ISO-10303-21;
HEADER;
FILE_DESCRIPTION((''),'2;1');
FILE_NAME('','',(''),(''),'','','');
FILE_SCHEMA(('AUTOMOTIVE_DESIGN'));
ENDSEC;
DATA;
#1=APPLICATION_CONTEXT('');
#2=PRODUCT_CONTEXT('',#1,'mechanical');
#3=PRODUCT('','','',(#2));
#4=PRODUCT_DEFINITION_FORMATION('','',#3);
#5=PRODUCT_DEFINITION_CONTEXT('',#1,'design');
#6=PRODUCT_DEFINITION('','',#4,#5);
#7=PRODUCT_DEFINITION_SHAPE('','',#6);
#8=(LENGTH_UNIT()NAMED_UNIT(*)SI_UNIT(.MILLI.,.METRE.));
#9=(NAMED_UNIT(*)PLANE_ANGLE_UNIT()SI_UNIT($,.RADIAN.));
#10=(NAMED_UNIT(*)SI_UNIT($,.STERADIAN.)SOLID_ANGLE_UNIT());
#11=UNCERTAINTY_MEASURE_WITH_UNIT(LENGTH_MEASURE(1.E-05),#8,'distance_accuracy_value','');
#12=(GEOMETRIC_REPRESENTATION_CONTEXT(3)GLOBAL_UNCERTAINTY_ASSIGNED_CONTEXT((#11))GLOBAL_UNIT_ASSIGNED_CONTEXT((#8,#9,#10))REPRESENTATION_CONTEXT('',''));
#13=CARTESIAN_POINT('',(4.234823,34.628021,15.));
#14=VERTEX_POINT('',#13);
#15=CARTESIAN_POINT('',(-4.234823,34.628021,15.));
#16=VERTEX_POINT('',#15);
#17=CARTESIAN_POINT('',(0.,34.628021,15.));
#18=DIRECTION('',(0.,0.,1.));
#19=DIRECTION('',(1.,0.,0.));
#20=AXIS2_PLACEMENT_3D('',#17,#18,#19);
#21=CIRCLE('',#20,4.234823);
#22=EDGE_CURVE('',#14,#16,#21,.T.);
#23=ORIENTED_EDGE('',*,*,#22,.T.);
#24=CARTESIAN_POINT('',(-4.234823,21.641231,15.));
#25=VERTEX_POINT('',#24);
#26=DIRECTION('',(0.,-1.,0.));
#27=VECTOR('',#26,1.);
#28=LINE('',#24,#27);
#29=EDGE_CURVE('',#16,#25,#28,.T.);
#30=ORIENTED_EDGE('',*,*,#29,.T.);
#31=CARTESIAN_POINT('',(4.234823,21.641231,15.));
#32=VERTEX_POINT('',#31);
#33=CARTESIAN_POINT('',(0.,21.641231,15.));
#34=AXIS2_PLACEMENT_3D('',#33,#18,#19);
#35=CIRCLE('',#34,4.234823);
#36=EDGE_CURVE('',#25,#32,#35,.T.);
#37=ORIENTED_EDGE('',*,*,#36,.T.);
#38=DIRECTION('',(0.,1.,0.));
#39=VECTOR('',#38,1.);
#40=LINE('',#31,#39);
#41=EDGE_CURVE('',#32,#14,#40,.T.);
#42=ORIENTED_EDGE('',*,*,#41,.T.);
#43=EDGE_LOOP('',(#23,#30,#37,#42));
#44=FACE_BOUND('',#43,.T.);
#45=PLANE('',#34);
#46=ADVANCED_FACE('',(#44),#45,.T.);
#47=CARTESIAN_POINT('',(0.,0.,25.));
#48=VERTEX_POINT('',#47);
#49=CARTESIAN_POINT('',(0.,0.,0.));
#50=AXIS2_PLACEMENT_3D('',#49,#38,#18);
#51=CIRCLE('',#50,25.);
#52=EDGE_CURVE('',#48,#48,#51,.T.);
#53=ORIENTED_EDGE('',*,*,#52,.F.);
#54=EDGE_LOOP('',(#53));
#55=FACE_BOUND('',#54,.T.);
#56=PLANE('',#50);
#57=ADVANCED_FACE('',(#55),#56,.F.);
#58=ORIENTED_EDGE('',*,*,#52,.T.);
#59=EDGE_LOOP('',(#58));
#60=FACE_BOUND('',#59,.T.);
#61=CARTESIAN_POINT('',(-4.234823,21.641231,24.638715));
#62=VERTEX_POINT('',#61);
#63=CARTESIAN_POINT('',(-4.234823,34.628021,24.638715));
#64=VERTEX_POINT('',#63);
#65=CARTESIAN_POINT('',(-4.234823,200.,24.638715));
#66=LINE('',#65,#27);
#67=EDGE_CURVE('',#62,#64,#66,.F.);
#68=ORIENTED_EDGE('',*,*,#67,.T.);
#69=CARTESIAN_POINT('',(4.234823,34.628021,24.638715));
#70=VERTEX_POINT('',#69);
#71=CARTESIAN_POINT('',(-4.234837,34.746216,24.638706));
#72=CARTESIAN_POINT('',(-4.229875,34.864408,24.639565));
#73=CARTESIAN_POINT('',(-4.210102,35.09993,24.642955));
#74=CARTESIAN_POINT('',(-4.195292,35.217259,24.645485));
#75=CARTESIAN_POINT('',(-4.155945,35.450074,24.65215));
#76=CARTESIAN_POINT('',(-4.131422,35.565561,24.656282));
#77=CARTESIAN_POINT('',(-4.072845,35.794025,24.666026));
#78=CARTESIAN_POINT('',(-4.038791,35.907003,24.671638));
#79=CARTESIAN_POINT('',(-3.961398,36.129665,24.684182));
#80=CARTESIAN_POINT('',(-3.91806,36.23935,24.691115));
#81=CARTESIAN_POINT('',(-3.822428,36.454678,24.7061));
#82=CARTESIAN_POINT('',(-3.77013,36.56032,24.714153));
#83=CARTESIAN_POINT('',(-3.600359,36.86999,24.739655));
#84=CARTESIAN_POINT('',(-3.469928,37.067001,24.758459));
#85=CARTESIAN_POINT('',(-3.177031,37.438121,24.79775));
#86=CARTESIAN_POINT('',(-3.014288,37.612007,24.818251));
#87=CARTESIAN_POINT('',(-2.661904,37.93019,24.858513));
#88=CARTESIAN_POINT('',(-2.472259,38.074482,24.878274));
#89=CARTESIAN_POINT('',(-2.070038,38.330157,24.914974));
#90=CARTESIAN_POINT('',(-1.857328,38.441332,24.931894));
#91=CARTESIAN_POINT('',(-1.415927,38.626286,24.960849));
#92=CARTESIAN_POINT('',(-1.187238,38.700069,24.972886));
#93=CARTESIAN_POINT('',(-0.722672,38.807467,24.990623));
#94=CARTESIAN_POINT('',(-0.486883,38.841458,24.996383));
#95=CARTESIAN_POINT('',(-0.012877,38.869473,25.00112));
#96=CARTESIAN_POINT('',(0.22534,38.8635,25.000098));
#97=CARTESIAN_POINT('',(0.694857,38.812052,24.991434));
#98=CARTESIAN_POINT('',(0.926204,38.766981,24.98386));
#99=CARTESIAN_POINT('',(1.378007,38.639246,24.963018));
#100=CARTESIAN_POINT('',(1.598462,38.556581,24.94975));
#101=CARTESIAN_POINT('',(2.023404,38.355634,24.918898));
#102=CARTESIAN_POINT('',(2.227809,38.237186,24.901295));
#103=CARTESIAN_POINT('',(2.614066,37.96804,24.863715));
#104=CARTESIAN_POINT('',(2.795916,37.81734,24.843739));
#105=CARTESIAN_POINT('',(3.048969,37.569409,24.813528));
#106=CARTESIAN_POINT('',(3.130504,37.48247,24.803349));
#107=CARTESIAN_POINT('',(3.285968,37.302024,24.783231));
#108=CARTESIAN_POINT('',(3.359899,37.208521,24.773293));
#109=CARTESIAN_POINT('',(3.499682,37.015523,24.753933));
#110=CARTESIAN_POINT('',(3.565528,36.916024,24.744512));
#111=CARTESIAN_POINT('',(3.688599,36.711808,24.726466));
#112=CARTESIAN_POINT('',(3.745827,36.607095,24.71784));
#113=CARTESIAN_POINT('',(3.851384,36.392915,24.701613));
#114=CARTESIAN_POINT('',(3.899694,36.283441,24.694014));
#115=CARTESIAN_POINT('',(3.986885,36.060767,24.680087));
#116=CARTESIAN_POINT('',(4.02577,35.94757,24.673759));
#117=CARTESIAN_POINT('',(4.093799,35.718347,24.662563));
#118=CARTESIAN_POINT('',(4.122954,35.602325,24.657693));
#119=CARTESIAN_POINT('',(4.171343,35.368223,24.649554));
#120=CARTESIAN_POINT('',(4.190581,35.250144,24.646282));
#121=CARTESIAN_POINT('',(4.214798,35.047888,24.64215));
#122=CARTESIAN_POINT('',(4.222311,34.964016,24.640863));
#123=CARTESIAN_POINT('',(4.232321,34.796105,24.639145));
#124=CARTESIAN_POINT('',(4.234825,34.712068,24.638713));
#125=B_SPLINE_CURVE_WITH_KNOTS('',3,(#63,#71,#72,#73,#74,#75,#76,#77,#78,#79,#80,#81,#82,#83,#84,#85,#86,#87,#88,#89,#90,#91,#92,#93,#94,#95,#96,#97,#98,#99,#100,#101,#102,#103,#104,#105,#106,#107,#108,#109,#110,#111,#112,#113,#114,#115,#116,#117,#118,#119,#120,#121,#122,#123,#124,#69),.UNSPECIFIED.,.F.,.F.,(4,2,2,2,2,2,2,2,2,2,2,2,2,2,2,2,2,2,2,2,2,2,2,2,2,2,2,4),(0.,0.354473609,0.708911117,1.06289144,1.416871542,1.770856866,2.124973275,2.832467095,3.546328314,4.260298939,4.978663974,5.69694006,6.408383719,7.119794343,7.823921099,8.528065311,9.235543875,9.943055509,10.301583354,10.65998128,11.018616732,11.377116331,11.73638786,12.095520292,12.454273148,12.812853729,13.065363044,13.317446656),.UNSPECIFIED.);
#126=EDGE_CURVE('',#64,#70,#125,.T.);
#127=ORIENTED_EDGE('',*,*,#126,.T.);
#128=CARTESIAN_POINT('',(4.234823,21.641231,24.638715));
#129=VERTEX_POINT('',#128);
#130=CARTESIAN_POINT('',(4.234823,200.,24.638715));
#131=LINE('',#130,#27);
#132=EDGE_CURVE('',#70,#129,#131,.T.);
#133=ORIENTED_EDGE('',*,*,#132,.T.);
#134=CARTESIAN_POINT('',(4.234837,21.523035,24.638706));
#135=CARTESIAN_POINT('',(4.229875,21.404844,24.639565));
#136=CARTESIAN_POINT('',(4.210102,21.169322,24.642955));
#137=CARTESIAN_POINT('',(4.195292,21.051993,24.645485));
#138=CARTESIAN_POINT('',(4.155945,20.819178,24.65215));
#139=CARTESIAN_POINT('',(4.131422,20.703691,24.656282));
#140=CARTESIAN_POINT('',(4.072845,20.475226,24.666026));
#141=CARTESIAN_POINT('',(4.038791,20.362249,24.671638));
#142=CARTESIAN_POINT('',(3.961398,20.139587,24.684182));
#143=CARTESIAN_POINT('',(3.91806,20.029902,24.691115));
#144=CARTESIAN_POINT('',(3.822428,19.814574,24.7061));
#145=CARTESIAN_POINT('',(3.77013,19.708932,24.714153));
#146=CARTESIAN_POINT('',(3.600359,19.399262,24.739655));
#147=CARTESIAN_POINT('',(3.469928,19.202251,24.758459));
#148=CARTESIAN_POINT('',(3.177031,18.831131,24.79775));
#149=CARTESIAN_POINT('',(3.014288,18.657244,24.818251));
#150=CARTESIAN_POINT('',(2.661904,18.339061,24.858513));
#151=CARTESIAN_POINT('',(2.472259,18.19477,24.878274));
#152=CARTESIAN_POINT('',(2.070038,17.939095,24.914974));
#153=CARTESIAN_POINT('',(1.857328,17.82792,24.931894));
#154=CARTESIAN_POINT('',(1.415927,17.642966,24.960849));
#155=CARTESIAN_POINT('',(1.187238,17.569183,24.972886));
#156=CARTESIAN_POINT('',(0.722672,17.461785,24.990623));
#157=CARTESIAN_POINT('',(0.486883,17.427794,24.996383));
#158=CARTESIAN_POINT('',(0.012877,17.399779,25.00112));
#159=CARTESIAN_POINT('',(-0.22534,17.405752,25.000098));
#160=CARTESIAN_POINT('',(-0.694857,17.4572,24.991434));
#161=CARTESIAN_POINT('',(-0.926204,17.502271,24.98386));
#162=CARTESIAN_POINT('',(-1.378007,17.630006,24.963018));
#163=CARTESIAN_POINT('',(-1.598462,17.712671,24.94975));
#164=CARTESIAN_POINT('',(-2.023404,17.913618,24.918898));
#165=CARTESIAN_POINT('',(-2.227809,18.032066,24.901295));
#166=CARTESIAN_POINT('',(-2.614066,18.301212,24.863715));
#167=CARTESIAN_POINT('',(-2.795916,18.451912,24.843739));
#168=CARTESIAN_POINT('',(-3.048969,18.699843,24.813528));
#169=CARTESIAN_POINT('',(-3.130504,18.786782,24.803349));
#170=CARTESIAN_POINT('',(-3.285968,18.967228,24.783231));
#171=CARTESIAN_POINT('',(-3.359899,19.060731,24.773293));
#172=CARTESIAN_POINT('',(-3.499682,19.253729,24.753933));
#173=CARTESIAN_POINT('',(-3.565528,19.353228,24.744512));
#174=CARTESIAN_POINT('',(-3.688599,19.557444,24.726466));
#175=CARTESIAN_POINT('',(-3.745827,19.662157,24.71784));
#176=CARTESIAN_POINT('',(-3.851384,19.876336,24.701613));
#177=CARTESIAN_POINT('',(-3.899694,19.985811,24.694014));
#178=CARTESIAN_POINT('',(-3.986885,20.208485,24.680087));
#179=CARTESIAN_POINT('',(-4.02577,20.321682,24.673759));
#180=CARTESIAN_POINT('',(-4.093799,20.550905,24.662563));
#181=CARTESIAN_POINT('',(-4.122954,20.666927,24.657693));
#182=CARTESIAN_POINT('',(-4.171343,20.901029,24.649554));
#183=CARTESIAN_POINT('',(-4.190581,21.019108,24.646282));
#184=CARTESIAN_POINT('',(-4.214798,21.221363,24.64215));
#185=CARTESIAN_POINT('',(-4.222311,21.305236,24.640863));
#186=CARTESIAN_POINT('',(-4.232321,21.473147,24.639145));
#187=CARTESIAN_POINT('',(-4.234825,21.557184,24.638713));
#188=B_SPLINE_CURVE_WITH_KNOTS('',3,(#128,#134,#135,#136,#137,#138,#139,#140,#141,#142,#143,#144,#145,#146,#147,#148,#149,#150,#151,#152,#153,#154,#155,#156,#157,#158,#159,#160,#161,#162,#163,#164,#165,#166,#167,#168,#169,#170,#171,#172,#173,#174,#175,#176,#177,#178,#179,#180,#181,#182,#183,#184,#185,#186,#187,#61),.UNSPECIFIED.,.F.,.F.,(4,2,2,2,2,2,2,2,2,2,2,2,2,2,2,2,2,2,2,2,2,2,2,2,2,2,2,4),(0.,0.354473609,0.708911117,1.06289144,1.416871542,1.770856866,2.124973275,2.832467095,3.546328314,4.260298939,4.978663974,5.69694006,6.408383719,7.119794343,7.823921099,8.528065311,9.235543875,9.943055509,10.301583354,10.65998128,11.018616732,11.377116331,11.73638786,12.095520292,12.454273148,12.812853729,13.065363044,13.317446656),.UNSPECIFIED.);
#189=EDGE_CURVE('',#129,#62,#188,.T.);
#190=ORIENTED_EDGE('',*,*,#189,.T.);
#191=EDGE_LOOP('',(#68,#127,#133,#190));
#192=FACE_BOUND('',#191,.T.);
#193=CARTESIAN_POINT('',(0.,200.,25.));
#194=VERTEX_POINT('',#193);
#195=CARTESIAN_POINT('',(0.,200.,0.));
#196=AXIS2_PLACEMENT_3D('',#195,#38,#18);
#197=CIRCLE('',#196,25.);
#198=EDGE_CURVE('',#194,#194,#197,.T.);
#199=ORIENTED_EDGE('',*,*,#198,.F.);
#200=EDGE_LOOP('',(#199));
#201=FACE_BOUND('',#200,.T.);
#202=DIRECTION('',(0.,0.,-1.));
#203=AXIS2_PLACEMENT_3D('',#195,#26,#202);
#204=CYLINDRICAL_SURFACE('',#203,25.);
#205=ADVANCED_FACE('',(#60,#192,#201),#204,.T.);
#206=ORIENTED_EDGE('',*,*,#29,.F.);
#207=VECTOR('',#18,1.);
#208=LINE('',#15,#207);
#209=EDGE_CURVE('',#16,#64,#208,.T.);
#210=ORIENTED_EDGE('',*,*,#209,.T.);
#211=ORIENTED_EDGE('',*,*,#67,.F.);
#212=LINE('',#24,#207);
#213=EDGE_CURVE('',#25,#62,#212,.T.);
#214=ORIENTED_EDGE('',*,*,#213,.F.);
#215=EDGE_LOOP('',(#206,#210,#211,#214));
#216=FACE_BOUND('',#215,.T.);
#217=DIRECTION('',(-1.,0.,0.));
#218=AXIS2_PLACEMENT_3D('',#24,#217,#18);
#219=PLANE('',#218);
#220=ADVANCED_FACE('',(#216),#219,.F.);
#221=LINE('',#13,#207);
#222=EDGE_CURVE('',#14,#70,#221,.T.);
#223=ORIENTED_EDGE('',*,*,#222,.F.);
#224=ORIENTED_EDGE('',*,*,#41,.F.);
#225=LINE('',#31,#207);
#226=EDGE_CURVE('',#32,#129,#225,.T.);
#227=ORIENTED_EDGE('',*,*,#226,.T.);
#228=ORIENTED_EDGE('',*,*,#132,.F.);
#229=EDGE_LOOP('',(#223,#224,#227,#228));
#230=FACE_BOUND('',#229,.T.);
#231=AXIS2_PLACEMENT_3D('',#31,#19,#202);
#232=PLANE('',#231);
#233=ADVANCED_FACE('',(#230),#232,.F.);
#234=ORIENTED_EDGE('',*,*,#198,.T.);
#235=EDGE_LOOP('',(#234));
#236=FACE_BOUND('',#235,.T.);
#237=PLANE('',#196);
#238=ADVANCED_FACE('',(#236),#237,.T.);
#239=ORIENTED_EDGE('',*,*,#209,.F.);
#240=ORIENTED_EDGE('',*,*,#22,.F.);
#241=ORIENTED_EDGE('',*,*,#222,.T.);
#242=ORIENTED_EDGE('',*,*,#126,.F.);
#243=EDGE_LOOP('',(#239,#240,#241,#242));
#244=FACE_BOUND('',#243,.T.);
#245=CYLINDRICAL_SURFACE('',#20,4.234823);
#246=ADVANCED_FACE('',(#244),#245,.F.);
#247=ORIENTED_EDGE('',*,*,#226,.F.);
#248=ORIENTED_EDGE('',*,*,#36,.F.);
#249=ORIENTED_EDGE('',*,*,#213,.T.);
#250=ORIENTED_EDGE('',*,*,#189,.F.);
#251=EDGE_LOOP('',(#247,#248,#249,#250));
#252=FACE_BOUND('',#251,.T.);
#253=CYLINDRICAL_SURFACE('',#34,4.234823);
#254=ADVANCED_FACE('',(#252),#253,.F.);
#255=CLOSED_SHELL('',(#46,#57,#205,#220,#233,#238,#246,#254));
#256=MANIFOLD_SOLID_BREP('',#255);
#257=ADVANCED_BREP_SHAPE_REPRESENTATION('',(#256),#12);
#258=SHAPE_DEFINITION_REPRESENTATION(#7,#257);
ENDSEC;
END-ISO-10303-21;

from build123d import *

# Parameters (mm, degrees)
SKIZZE1_R                       = 25
AUFSATZ_LINEAR_AUSTRAGEN1_DEPTH = 200
SCHNITT_LINEAR_AUSTRAGEN1_DEPTH = 10


with BuildPart() as part:
    # Skizze1 → Aufsatz-Linear austragen1 (new body)
    with BuildSketch(Plane(origin=(0, 0, 0), x_dir=(1, 0, 0), z_dir=(0, 1, 0))):
        with Locations(Location((0, 0, 0), (0, 0, 270))):  # turned: the seam where the file's is
            Circle(SKIZZE1_R)
    extrude(amount=AUFSATZ_LINEAR_AUSTRAGEN1_DEPTH)

    # Skizze2 → Schnitt-Linear austragen1 (cut)
    with BuildSketch(Plane.XY.offset(25)):
        with BuildLine():
            Line((-4.234822954, 21.641230775), (-4.234822954, 34.628021169))
            ThreePointArc((-4.234822954, 34.628021169), (0, 38.862844123), (4.234822954, 34.628021169))
            Line((4.234822954, 34.628021169), (4.234822954, 21.641230775))
            ThreePointArc((4.234822954, 21.641230775), (0, 17.406407821), (-4.234822954, 21.641230775))
        make_face()
    extrude(amount=-SCHNITT_LINEAR_AUSTRAGEN1_DEPTH, mode=Mode.SUBTRACT)


solid = part.part
